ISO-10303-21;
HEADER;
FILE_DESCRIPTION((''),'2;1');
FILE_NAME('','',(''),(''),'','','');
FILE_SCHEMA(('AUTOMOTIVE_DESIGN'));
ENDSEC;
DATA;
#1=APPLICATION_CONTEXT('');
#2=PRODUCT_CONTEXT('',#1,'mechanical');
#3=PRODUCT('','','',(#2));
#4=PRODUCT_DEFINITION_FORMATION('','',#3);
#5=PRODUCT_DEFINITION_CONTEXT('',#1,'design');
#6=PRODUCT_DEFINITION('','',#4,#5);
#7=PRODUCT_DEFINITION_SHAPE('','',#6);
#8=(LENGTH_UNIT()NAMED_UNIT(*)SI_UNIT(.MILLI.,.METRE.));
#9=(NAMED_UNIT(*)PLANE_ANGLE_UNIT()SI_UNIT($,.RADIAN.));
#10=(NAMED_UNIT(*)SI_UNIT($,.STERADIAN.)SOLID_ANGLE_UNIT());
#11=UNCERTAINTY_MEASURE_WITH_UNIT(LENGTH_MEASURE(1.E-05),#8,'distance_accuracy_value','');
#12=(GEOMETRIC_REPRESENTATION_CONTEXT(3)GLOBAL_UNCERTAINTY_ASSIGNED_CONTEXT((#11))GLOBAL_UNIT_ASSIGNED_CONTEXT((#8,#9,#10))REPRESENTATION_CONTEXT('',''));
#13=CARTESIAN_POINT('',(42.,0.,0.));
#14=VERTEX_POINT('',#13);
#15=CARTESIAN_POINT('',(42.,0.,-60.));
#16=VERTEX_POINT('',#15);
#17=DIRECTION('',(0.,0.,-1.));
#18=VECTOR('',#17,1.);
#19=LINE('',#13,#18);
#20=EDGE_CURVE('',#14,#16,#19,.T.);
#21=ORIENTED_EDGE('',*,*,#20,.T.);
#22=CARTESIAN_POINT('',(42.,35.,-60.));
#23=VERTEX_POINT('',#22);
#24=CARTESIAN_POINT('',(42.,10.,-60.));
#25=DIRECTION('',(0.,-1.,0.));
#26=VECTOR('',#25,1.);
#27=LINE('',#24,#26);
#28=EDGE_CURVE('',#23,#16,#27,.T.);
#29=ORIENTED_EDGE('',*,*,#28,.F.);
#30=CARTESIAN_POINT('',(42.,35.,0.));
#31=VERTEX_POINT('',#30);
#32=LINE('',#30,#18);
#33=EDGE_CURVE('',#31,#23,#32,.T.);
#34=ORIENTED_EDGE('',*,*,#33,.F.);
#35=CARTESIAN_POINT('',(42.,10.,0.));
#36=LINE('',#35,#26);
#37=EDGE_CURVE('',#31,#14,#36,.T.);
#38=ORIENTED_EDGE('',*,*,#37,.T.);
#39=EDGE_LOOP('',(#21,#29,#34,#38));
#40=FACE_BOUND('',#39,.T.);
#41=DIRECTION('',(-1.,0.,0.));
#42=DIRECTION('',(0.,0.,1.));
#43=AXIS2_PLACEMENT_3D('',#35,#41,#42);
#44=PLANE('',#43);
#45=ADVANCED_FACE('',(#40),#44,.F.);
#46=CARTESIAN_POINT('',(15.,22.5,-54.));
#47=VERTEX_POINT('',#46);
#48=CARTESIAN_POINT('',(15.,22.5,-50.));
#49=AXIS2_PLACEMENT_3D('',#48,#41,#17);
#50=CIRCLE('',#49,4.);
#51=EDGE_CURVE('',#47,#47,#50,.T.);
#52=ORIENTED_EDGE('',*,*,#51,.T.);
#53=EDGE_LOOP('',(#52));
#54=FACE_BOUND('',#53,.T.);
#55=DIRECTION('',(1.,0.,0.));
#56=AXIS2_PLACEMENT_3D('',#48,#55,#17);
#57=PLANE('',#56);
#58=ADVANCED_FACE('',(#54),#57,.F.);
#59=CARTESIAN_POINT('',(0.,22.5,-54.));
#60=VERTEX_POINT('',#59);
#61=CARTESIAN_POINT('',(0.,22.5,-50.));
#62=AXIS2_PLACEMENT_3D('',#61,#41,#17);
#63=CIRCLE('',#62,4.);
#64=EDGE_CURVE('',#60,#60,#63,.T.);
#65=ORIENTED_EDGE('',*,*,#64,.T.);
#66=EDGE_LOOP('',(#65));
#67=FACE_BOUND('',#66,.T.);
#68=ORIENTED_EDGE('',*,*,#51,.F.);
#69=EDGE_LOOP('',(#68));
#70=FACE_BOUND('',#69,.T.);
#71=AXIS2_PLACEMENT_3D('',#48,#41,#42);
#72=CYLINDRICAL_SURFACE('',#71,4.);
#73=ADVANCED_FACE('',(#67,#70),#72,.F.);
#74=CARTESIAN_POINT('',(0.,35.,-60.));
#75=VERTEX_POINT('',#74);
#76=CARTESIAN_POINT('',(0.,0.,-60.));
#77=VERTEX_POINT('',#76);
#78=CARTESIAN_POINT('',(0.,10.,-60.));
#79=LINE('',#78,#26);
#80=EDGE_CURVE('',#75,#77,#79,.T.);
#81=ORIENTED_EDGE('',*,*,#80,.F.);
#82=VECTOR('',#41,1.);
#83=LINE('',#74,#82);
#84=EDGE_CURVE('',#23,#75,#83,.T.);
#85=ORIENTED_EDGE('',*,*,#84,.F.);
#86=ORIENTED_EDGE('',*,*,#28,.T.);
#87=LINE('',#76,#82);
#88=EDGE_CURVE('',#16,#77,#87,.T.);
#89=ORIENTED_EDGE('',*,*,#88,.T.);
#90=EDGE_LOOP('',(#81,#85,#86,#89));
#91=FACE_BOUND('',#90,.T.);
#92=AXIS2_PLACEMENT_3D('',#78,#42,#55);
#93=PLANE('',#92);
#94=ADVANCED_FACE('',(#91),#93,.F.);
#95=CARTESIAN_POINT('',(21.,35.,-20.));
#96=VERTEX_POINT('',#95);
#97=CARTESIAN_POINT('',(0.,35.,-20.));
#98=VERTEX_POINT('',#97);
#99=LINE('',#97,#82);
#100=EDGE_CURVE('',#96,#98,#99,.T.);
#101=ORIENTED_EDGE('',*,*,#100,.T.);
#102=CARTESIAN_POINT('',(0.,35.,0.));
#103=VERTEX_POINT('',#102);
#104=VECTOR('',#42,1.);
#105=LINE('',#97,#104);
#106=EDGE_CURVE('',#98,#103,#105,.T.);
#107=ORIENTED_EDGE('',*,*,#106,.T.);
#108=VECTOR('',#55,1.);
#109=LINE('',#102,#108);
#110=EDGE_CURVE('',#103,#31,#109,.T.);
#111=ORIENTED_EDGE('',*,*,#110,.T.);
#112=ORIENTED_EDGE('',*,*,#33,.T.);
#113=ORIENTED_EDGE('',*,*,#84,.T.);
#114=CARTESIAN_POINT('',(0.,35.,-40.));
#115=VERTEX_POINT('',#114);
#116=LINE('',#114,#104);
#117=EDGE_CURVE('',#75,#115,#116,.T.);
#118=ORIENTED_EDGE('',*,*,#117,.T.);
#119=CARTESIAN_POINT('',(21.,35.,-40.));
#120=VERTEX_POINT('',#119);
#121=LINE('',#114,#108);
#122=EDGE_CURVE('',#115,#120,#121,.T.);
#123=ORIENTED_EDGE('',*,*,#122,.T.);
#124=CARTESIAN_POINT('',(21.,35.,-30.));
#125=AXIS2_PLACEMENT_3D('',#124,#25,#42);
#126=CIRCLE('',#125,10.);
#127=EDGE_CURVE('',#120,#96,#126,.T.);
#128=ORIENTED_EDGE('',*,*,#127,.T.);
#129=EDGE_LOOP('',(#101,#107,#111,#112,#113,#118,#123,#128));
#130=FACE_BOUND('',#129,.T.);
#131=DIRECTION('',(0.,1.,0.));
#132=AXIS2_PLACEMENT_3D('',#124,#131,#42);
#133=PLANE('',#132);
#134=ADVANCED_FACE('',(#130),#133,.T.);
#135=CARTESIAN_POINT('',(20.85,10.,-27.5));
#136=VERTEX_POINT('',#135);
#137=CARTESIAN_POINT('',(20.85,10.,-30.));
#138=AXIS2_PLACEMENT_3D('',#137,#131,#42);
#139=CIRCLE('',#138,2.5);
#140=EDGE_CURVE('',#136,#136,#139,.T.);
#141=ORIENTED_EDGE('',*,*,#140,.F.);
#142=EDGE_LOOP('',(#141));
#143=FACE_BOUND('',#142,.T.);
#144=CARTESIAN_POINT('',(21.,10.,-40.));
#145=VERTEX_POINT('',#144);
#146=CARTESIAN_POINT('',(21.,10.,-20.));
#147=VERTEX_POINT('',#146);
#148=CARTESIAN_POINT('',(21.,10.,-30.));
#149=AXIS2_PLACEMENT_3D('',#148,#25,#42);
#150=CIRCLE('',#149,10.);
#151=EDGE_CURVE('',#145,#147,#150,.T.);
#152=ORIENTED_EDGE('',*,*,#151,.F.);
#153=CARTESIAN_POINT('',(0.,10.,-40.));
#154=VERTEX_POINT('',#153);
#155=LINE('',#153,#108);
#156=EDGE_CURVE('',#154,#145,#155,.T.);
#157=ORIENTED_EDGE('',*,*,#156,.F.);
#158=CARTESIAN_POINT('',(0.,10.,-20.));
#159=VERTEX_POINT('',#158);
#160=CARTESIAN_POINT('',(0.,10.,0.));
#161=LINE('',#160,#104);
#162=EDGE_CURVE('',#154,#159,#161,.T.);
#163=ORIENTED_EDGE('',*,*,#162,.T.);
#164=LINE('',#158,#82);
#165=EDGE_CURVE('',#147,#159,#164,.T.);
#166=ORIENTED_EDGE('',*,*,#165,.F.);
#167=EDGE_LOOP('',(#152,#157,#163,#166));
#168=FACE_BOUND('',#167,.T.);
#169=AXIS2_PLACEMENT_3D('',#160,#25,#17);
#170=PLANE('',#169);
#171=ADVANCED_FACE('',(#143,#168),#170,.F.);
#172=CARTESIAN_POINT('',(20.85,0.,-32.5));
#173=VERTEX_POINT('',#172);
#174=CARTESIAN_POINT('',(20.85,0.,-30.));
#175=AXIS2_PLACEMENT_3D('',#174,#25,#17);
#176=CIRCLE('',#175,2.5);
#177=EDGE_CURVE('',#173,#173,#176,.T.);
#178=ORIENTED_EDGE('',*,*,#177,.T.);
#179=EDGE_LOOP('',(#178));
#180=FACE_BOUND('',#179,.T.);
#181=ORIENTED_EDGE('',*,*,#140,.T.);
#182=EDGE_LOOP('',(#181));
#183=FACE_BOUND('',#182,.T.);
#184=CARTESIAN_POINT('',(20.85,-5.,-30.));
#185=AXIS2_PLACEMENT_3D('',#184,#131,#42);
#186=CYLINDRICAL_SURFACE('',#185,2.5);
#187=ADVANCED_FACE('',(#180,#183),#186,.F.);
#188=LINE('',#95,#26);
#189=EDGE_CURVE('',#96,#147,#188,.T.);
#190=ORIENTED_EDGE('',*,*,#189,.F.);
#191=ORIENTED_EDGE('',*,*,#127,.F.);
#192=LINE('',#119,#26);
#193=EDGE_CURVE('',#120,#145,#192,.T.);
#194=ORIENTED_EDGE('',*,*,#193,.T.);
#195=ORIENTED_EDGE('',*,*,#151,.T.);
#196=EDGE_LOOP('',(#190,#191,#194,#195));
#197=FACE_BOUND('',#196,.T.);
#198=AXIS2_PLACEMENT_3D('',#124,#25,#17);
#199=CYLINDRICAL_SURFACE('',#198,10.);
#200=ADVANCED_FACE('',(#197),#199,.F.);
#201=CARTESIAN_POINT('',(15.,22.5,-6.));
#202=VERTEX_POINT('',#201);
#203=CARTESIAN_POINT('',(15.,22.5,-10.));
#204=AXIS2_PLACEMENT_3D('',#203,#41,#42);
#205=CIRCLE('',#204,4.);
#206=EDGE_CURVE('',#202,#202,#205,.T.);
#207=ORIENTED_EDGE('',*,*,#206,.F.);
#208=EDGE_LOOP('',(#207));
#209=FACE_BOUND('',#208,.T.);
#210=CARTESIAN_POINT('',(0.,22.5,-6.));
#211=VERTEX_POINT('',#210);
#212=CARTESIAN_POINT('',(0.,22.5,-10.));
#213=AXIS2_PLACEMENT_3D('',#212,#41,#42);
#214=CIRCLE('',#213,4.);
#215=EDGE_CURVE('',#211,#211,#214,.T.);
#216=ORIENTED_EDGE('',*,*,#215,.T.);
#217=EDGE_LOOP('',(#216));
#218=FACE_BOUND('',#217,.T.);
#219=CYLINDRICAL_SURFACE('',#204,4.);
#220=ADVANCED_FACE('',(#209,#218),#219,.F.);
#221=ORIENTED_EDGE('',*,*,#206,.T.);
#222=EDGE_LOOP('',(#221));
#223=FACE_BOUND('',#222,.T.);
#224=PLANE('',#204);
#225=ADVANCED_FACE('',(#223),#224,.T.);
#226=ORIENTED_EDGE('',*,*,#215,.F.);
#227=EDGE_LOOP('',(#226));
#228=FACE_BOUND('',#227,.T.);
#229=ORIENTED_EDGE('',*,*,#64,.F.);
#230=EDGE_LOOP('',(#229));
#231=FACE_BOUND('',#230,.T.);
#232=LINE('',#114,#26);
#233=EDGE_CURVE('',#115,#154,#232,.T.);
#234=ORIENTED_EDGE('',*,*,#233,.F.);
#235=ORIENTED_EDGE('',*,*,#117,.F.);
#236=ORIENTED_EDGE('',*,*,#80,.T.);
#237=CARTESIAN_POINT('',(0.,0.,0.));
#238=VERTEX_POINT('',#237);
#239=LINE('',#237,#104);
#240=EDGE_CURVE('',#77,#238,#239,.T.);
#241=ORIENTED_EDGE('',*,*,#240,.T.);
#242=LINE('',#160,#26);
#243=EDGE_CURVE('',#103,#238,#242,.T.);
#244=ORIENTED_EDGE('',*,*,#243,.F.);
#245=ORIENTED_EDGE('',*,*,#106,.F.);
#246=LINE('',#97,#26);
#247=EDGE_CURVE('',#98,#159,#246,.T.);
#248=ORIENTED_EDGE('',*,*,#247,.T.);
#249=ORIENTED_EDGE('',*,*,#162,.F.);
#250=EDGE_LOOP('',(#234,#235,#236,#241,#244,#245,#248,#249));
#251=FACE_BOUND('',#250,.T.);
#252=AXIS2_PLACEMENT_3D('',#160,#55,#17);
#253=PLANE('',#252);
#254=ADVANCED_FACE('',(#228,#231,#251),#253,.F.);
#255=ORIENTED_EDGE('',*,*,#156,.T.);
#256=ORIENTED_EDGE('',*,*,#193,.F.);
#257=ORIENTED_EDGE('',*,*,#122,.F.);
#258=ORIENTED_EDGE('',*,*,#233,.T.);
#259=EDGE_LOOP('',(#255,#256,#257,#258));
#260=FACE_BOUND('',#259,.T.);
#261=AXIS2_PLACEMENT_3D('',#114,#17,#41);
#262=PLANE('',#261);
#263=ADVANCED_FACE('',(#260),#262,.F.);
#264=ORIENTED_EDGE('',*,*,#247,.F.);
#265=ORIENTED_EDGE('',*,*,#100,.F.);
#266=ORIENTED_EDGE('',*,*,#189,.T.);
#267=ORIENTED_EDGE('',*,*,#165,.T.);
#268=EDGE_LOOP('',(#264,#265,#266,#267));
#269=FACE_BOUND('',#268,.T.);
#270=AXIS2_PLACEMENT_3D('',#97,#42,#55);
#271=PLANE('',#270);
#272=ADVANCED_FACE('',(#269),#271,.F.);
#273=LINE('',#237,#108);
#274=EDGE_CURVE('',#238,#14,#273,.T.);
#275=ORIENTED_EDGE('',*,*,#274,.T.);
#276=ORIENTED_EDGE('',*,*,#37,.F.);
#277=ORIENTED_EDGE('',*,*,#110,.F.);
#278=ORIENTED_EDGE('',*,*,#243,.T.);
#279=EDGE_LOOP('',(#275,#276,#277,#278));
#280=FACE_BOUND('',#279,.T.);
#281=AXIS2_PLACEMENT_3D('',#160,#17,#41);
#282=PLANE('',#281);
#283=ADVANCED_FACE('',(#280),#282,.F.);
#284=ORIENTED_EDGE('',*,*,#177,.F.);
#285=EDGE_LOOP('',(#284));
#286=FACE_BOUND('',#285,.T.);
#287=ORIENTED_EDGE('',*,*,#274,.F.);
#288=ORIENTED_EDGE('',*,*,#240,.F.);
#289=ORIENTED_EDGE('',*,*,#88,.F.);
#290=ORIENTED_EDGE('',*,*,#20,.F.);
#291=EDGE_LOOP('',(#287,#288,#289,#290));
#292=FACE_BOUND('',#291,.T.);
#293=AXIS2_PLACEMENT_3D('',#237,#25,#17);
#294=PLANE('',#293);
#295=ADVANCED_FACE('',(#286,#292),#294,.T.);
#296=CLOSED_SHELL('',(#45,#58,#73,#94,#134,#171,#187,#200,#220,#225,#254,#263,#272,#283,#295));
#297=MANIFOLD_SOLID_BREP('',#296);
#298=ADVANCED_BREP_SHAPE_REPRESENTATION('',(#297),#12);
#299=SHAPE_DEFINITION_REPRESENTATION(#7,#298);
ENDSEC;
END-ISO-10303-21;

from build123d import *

# Parameters (mm, degrees)
SKETCH1_W           = 42
SKETCH1_H           = 60
BOSS_EXTRUDE1_DEPTH = 10
BOSS_EXTRUDE2_DEPTH = 25
SKETCH3_R           = 4
CUT_EXTRUDE1_DEPTH  = 15
SKETCH4_R           = 2.5
CUT_EXTRUDE2_DEPTH  = 15


with BuildPart() as part:
    # Sketch1 → Boss-Extrude1 (new body)
    with BuildSketch(Plane(origin=(0, 0, 0), x_dir=(1, 0, 0), z_dir=(0, 1, 0))):
        with Locations((21, 30)):
            Rectangle(SKETCH1_W, SKETCH1_H)
    extrude(amount=BOSS_EXTRUDE1_DEPTH)

    # Sketch2 → Boss-Extrude2 (add)
    with BuildSketch(Plane(origin=(0, 10, 0), x_dir=(1, 0, 0), z_dir=(0, 1, 0))):
        with BuildLine():
            Line((0, 20), (21, 20))
            ThreePointArc((21, 20), (31, 30), (21, 40))
            Line((21, 40), (0, 40))
            Line((0, 40), (0, 60))
            Line((0, 60), (42, 60))
            Line((42, 60), (42, 0))
            Line((42, 0), (0, 0))
            Line((0, 0), (0, 20))
        make_face()
    extrude(amount=BOSS_EXTRUDE2_DEPTH)

    # Sketch3 → Cut-Extrude1 (cut)
    with BuildSketch(Plane.ZY):
        with Locations((-10, 22.5)):
            Circle(SKETCH3_R)
        with Locations(Location((-50, 22.5, 0), (0, 0, 180))):
            Circle(SKETCH3_R)
    extrude(amount=-CUT_EXTRUDE1_DEPTH, mode=Mode.SUBTRACT)

    # Sketch4 → Cut-Extrude2 (cut)
    with BuildSketch(Plane(origin=(0, 10, 0), x_dir=(1, 0, 0), z_dir=(0, 1, 0))):
        with Locations(Location((20.85, 30, 0), (0, 0, 270))):
            Circle(SKETCH4_R)
    extrude(amount=-CUT_EXTRUDE2_DEPTH, mode=Mode.SUBTRACT)


solid = part.part
